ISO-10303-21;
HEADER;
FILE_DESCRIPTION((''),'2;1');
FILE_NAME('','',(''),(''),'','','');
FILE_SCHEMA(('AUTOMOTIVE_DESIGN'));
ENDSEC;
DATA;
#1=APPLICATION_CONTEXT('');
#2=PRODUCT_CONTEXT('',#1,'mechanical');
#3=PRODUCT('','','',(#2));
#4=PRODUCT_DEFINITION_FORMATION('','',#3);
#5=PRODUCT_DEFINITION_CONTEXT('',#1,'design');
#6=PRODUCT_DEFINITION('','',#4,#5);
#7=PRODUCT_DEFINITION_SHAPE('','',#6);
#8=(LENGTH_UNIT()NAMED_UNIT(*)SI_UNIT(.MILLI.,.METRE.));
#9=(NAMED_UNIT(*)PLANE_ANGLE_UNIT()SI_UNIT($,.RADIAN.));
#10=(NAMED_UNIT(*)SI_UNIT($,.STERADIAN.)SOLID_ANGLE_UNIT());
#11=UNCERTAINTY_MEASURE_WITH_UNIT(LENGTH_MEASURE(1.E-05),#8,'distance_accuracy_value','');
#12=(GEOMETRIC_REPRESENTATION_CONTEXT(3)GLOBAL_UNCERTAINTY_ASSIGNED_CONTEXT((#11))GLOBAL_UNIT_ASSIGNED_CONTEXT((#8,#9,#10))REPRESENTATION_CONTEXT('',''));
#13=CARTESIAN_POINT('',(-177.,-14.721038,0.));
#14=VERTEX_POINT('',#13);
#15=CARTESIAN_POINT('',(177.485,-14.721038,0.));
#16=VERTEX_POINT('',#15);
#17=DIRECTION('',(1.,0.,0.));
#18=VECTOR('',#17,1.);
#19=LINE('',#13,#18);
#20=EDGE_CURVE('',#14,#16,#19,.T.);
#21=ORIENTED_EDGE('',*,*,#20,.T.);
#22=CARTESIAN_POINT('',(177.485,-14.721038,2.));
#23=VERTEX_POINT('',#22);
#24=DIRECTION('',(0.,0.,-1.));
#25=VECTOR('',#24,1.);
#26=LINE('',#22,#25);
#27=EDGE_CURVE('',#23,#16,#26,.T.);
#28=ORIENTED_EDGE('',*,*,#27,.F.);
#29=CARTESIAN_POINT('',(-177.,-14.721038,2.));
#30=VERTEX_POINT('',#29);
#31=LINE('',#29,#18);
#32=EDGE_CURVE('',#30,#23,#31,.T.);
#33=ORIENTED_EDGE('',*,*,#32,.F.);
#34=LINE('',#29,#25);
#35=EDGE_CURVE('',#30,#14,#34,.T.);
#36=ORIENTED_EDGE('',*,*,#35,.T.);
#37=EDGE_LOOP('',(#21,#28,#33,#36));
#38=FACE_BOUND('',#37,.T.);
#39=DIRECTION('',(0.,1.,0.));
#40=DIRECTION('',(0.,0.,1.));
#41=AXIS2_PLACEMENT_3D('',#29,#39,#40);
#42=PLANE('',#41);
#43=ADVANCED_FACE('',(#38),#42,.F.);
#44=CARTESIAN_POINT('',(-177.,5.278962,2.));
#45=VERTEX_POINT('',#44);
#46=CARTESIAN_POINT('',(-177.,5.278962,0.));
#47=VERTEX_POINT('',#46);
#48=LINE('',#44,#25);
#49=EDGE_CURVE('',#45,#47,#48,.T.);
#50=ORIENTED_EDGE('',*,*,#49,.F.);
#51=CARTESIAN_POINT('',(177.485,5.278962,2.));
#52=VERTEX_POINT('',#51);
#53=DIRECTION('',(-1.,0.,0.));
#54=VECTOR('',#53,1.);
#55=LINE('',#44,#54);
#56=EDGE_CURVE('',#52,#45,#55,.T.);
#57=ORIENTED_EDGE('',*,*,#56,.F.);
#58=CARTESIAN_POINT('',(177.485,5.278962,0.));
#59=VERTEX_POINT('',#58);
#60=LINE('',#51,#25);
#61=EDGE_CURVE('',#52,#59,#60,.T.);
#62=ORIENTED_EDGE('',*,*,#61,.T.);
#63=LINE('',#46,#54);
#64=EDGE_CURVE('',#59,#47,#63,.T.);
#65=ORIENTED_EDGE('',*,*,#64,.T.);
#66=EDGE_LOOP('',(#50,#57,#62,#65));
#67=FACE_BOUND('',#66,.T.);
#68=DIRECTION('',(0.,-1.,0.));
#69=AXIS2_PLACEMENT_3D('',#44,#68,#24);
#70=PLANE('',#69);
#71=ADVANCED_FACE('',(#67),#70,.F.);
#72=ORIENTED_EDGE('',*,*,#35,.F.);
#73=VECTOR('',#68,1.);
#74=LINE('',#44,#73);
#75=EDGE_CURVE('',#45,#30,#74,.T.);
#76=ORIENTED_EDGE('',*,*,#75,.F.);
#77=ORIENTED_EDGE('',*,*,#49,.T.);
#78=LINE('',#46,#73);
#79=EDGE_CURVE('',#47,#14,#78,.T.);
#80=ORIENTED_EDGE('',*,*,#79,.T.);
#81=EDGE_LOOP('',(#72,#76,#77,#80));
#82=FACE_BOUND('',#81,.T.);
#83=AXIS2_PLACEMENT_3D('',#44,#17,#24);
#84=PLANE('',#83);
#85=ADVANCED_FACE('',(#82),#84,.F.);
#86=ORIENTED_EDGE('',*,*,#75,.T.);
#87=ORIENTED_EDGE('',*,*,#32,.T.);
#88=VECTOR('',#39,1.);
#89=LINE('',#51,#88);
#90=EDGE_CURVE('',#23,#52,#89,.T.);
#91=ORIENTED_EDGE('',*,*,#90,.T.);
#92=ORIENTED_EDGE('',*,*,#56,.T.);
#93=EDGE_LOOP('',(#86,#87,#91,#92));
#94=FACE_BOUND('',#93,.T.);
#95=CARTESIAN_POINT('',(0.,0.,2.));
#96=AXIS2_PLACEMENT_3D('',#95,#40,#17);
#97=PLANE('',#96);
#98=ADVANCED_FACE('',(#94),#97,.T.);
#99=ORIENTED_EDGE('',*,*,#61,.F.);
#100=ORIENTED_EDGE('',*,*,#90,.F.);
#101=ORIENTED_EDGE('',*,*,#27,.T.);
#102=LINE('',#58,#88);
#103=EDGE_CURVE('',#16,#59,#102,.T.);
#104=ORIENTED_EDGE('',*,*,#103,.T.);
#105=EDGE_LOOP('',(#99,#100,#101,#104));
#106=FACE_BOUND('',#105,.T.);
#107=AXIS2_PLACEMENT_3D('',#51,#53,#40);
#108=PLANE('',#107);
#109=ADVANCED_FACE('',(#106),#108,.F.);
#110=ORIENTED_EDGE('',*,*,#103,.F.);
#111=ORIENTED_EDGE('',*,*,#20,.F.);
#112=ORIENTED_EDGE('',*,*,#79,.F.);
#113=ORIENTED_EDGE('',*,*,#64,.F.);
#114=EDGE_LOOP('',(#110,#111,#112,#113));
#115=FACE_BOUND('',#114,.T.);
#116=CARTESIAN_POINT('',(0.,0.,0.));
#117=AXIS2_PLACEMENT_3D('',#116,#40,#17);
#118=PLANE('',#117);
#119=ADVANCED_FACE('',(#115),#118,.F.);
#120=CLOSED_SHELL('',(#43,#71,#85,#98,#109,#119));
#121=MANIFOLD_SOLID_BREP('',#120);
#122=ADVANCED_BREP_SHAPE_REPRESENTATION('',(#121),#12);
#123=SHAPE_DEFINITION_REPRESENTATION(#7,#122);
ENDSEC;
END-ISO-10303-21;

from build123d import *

# Parameters (mm, degrees)
SKETCH1_W           = 354.485
SKETCH1_H           = 20
BOSS_EXTRUDE1_DEPTH = 2


with BuildPart() as part:
    # Sketch1 → Boss-Extrude1 (new body)
    with BuildSketch(Plane.XY):
        with Locations((0.2425, -4.72103784)):
            Rectangle(SKETCH1_W, SKETCH1_H)
    extrude(amount=BOSS_EXTRUDE1_DEPTH)


solid = part.part
